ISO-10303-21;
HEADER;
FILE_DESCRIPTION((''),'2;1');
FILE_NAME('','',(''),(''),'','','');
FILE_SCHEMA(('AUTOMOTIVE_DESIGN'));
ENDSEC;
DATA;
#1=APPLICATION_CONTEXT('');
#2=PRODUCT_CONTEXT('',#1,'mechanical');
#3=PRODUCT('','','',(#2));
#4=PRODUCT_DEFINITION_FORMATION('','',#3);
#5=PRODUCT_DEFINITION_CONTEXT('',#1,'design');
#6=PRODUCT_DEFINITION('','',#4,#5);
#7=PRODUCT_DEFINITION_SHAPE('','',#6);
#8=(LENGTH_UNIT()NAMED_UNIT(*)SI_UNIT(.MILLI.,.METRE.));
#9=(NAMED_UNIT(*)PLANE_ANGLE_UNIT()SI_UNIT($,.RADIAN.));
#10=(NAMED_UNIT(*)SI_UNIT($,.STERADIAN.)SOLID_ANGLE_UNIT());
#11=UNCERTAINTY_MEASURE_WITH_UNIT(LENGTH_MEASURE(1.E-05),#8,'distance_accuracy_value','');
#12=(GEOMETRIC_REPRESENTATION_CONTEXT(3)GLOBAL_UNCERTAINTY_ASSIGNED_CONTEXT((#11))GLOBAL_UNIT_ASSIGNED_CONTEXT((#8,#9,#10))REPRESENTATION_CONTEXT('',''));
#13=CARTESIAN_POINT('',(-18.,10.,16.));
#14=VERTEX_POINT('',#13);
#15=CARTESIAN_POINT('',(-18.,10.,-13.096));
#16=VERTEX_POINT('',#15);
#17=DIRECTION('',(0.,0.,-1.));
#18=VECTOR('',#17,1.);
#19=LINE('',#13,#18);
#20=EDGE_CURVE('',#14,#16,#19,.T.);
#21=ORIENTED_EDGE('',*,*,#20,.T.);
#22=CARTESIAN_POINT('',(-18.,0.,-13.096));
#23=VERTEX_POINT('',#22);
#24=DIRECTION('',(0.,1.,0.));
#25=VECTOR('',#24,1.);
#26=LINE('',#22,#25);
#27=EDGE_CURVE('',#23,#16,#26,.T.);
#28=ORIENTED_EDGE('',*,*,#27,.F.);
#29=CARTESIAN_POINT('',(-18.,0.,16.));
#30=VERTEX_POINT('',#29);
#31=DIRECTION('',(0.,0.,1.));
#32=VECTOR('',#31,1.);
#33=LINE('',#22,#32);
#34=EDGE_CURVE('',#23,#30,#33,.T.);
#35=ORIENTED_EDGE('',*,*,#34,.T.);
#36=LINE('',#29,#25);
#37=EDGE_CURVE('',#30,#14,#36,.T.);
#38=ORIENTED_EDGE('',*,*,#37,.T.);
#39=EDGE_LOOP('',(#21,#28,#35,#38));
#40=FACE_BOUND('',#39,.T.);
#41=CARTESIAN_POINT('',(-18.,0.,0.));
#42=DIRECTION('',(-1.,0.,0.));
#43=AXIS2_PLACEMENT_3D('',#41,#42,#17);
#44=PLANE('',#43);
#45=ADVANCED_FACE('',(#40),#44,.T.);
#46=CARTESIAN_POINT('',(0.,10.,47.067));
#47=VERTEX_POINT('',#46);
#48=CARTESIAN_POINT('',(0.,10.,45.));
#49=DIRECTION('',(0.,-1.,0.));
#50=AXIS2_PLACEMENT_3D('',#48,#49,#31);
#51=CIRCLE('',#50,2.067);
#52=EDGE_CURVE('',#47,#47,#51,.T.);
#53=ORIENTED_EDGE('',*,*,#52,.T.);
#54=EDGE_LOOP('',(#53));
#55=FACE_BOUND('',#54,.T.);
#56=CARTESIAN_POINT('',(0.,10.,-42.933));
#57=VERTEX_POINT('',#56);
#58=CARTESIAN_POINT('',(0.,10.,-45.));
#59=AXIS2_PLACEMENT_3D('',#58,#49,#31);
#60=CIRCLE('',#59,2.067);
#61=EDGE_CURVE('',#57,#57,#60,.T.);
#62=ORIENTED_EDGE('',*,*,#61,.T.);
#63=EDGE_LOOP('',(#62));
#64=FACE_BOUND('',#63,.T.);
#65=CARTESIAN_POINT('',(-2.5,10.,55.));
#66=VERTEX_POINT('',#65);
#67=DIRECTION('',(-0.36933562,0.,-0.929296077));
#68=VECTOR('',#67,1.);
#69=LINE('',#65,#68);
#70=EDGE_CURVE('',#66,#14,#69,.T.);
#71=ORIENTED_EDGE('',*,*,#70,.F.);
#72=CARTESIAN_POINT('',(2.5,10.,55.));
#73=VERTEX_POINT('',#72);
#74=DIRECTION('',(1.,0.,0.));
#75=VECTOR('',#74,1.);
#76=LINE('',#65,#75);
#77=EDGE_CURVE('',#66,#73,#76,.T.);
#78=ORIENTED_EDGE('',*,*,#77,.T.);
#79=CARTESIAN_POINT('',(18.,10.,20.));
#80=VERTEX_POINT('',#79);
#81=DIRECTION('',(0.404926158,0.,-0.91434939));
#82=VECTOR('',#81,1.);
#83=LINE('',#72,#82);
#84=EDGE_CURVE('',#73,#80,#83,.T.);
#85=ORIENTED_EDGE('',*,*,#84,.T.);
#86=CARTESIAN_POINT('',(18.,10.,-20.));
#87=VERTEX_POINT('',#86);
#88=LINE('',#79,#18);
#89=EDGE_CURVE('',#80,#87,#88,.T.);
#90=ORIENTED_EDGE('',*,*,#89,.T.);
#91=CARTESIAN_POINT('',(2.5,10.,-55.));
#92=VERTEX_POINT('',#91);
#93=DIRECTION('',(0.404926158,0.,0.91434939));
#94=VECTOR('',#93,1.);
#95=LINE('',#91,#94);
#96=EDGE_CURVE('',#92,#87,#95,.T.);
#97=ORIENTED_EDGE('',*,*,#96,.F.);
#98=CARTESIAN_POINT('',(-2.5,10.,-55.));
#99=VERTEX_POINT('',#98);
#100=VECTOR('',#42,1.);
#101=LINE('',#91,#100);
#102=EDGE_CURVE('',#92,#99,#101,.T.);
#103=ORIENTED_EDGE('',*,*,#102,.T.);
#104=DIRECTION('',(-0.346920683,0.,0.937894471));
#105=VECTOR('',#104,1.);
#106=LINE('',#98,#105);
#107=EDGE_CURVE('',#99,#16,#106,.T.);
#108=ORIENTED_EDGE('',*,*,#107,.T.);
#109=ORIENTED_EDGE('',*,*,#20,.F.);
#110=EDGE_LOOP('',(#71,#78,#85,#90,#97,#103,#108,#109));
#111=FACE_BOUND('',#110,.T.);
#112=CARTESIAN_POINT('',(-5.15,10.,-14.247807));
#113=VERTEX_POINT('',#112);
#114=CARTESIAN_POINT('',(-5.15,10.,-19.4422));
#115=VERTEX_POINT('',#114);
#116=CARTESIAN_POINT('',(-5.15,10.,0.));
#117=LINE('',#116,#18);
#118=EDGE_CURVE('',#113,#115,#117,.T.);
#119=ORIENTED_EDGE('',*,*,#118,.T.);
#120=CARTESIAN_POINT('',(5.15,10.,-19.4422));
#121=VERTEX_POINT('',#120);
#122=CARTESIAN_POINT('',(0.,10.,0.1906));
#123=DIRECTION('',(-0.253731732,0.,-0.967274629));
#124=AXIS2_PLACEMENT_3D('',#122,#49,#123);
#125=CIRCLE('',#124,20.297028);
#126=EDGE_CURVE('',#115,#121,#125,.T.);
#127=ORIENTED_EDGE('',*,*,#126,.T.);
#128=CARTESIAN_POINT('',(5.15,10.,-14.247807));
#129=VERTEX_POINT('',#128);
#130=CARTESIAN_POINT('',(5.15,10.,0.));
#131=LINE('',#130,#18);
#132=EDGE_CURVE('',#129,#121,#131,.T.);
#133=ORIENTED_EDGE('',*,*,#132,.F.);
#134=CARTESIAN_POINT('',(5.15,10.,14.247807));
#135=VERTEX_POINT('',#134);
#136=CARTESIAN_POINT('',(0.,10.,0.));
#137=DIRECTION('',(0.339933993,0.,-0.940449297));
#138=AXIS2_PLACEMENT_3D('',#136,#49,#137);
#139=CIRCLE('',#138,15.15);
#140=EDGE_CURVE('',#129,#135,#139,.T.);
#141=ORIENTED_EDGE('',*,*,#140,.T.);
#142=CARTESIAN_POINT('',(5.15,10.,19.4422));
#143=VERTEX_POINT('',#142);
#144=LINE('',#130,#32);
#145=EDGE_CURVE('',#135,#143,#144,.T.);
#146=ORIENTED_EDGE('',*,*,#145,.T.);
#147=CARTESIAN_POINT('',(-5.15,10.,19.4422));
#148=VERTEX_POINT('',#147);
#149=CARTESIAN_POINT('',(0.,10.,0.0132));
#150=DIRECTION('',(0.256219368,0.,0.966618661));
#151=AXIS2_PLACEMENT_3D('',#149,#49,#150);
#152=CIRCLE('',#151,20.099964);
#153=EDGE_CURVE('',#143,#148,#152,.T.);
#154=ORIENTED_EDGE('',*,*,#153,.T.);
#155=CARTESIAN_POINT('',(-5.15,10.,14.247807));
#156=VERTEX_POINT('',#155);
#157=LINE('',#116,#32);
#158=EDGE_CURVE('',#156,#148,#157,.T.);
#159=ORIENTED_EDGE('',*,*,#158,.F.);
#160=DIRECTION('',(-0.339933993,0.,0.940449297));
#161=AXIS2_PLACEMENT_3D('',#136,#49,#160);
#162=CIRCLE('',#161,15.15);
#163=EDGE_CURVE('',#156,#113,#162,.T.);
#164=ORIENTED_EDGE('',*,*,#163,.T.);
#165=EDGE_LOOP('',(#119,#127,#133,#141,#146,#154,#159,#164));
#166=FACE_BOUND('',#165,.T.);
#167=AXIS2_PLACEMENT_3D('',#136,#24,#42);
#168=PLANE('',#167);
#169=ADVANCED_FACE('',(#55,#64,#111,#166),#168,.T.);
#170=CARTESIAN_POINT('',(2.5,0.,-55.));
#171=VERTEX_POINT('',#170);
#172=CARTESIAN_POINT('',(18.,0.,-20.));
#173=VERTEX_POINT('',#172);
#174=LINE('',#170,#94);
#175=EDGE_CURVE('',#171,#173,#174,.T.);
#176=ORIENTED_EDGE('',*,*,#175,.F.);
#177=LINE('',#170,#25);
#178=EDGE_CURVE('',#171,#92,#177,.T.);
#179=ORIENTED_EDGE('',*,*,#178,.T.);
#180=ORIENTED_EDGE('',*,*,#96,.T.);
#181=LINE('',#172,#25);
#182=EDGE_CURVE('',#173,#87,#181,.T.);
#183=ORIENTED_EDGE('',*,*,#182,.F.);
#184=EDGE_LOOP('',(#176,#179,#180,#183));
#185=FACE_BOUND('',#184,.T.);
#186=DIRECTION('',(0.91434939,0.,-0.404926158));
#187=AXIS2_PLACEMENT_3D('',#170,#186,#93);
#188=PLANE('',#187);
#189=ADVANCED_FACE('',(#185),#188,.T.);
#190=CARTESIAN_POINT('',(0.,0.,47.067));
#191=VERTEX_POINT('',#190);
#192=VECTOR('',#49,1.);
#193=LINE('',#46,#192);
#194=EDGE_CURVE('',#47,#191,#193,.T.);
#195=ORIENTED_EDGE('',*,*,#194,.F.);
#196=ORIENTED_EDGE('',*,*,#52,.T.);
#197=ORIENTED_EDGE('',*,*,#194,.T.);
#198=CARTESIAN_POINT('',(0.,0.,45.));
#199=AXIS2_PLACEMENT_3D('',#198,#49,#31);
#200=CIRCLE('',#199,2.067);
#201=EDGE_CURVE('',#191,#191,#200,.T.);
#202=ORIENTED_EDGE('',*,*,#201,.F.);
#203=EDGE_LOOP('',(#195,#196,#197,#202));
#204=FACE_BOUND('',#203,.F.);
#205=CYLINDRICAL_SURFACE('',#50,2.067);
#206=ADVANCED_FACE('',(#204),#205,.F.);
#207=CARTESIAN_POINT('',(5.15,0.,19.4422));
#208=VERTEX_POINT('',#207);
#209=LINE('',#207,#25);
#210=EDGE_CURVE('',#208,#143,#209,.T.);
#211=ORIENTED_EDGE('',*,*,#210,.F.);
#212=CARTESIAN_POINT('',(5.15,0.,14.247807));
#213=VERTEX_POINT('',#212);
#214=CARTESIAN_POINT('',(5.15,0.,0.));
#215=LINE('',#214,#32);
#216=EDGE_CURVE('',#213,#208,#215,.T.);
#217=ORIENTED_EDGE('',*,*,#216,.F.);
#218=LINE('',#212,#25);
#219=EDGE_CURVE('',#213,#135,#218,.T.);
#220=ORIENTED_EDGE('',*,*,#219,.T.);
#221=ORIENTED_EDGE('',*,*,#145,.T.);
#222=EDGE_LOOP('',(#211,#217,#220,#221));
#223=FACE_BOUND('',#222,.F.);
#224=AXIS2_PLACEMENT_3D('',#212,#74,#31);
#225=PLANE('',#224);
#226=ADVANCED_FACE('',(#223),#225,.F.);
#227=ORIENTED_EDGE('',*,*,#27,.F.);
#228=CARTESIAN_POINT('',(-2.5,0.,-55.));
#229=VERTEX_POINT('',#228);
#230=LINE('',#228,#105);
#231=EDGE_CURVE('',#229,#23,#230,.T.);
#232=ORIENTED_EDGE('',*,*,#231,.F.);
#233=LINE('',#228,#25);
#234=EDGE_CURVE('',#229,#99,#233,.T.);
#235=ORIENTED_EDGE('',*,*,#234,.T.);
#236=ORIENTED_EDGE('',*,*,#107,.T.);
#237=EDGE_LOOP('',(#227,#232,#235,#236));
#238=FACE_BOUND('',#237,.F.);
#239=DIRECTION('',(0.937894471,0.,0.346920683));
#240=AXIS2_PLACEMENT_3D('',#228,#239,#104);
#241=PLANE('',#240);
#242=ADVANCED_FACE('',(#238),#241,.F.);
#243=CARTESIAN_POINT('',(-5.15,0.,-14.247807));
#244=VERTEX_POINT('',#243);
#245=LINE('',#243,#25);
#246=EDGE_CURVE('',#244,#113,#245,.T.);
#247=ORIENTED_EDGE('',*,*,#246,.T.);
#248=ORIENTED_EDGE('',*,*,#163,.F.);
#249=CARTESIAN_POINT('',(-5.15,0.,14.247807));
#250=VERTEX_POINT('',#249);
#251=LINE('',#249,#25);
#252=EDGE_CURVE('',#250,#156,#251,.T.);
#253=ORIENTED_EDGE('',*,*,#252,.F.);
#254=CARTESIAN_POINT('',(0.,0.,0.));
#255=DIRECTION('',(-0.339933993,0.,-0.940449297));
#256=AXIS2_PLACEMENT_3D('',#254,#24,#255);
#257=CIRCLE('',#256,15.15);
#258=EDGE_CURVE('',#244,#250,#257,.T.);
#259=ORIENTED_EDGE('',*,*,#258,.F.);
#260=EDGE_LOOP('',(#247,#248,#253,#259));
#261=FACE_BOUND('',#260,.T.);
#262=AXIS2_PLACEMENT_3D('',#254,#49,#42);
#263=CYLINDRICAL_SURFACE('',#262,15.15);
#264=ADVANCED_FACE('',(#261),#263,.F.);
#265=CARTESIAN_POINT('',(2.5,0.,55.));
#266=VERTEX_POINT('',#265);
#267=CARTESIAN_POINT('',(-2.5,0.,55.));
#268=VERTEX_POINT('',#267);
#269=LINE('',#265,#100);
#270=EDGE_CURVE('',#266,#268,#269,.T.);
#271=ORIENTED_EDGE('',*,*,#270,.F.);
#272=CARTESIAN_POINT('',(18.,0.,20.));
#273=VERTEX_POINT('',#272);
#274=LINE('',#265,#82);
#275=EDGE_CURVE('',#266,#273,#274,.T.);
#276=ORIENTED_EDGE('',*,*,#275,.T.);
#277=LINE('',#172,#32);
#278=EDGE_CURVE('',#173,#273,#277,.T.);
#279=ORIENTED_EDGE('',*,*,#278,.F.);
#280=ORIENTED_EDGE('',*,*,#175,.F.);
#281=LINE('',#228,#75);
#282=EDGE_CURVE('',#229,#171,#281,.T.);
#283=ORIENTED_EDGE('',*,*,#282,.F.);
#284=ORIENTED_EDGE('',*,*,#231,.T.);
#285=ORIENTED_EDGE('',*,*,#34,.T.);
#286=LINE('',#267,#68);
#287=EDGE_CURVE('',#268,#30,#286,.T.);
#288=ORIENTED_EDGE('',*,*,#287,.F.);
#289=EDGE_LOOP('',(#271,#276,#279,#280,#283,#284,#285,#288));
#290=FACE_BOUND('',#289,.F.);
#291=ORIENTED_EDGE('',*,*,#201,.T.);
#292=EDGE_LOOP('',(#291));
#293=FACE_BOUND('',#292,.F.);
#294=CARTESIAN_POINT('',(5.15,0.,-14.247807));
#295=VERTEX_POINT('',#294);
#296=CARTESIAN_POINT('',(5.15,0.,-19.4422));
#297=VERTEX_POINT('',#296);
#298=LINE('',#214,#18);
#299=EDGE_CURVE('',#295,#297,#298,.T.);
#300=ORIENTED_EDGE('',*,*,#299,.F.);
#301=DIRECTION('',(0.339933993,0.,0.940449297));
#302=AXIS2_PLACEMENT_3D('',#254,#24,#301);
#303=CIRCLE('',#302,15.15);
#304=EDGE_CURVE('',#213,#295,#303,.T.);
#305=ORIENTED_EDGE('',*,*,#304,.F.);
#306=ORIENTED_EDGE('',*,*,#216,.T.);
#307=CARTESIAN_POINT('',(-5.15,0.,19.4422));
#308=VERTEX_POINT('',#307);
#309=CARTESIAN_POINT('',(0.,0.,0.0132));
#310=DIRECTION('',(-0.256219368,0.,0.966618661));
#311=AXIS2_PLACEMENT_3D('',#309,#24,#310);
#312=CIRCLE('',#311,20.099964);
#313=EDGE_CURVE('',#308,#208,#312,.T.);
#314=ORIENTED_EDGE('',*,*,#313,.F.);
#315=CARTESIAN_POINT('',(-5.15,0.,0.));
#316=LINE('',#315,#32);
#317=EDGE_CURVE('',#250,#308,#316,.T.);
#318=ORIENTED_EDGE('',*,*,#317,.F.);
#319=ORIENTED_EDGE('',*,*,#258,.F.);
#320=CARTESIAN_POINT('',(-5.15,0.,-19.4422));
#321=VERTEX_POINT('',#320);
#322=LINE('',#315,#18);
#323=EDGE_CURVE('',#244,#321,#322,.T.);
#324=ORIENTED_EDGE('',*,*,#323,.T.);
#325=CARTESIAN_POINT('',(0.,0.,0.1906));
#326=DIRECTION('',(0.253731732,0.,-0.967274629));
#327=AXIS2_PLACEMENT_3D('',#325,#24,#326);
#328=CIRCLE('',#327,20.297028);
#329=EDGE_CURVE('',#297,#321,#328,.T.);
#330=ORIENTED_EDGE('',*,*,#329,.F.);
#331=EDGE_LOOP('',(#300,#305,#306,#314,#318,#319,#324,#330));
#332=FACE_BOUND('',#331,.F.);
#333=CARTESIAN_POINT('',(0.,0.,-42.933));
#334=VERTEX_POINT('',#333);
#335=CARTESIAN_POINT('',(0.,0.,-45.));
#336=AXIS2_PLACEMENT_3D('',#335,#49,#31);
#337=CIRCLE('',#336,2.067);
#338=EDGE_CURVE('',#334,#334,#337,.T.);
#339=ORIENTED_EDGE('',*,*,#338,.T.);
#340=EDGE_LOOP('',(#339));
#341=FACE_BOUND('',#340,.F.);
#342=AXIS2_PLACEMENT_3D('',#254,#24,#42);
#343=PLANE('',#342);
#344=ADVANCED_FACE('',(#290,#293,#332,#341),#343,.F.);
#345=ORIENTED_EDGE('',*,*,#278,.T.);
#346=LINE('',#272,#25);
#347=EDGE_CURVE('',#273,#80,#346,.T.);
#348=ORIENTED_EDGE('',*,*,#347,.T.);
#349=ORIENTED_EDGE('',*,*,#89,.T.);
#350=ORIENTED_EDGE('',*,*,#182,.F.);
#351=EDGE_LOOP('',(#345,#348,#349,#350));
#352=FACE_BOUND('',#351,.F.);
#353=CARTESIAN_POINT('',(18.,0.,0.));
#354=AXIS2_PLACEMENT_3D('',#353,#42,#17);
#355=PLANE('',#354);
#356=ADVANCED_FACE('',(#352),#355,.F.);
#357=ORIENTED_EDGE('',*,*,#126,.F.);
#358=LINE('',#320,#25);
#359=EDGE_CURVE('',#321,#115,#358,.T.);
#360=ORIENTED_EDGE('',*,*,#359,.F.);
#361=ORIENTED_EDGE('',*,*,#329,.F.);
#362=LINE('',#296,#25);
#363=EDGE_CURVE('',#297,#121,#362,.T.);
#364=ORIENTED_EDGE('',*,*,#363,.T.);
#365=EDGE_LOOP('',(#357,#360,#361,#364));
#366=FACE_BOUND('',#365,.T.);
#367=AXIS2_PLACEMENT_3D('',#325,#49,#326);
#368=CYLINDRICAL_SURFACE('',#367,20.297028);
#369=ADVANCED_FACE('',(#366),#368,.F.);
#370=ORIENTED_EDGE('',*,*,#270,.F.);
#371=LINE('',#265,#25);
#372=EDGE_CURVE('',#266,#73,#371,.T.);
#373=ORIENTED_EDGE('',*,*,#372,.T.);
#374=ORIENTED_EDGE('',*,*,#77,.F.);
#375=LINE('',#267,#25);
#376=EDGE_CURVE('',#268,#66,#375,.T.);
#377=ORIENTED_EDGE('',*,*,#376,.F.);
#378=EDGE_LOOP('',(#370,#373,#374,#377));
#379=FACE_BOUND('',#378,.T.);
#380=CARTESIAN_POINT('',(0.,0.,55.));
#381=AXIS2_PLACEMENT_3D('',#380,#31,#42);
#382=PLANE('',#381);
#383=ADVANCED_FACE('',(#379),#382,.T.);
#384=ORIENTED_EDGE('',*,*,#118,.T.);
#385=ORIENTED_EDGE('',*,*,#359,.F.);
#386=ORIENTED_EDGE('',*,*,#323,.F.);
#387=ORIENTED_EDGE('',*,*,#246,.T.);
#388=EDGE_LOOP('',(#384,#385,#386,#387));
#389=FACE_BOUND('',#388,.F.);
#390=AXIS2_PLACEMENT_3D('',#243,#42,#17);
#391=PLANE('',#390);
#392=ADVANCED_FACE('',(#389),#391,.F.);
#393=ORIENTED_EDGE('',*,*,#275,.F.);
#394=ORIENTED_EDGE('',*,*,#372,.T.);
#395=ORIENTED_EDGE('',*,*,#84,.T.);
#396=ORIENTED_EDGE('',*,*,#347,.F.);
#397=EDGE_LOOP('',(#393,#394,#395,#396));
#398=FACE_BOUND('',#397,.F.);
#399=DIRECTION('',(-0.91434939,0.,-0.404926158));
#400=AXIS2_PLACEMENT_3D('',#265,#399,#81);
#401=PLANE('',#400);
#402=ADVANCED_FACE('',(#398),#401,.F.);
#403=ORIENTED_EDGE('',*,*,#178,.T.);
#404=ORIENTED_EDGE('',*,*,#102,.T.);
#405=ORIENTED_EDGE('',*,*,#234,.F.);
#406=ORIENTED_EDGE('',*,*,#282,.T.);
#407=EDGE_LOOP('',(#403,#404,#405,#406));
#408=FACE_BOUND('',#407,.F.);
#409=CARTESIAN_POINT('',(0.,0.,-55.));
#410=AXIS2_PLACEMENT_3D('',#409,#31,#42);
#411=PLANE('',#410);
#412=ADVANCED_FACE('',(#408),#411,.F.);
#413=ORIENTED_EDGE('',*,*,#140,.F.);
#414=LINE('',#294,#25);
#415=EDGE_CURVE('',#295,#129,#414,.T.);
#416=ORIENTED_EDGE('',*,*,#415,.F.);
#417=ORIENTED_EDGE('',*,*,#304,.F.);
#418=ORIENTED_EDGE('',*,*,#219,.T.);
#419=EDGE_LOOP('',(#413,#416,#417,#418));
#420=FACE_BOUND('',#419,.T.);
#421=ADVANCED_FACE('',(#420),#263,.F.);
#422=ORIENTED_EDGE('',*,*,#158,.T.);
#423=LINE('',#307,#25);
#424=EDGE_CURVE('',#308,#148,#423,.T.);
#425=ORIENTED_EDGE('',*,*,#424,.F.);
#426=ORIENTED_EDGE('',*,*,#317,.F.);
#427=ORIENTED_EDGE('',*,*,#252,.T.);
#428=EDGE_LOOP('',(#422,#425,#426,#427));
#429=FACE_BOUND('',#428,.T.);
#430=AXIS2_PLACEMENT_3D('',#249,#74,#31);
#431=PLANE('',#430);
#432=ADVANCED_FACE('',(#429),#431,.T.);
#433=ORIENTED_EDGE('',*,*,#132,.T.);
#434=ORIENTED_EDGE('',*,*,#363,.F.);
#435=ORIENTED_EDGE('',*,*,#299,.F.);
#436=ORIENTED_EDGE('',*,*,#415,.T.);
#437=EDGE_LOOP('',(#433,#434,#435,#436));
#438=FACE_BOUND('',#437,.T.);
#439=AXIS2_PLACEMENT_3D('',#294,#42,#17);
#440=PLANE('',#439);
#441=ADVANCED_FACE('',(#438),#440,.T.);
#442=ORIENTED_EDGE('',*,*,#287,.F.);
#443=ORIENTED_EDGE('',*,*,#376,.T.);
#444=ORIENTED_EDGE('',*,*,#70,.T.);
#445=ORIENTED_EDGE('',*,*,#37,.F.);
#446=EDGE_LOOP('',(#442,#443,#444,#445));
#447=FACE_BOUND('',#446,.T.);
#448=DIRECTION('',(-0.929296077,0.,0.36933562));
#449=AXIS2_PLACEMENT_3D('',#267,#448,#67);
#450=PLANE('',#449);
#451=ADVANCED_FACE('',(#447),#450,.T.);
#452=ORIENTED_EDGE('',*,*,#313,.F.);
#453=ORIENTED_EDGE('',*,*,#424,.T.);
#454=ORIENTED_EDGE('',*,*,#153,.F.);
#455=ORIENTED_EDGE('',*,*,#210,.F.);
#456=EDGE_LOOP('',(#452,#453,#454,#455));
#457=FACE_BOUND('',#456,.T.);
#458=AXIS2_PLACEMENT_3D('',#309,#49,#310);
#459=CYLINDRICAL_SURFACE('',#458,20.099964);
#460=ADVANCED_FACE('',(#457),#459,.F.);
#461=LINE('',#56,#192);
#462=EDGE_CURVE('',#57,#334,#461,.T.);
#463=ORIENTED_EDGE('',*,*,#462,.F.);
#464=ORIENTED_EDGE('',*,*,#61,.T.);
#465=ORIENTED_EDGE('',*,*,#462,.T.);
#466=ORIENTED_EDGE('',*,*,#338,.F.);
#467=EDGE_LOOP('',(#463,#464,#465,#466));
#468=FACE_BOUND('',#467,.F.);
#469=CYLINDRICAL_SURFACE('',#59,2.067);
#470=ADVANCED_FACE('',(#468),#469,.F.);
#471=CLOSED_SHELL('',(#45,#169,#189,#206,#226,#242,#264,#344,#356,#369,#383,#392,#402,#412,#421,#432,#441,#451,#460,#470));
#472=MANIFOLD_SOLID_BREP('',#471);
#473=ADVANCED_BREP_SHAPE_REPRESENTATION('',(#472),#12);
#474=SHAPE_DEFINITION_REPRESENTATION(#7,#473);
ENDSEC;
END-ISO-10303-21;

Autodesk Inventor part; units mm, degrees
ref_plane "YZ Plane" through (0, 0, 0) normal (1, 0, 0) x (0, 1, 0)
ref_plane "XZ Plane" through (0, 0, 0) normal (0, 1, 0) x (-1, 0, 0)
ref_plane "XY Plane" through (0, 0, 0) normal (0, 0, 1) x (1, 0, 0)
sketch "Esquisse1" plane through (0, 0, 0) normal (0, 1, 0) x (-1, 0, 0)
  circle A0 centre (0, 0) radius 15.15
  line L0 (0, 0) -> (18, 0)
  line L1 (18, 0) -> (18, -13.096)
  line L2 (18, 0) -> (18, 16)
  line L3 (0, 0) -> (-18, 0)
  line L4 (-18, 0) -> (-18, -20)
  line L5 (-18, 0) -> (-18, 20)
  line L6 (0, 0) -> (0, 55)
  line L7 (0, 0) -> (55, 0) construction
  line L8 (0, 55) -> (-2.5, 55)
  line L9 (-2.5, 55) -> (-18, 20)
  line L10 (0, 55) -> (2.5, 55)
  line L11 (2.5, 55) -> (18, 16)
  line L12 (0, 0) -> (0, -55)
  line L13 (0, 0) -> (55, 0) construction
  line L14 (0, -55) -> (2.5, -55)
  line L15 (2.5, -55) -> (18, -13.096)
  line L16 (0, -55) -> (-2.5, -55)
  line L17 (-2.5, -55) -> (-18, -20)
  line L18 (0, 0) -> (5.15, 0)
  line L19 (5.15, 0) -> (5.15, -19.4422)
  line L20 (0, 0) -> (-5.15, 0)
  line L21 (-5.15, 0) -> (-5.15, -19.4422)
  line L22 (-5.15, 0) -> (-5.15, 19.4422)
  line L23 (5.15, 0) -> (5.15, 19.4422)
  arc A1 (-5.15, -19.4422) -> (5.15, -19.4422) centre (0, 0.1906) ccw
  arc A2 (5.15, 19.4422) -> (-5.15, 19.4422) centre (0, 0.0132) ccw
  point P0 (5.15, -14.2478)
  point P1 (-5.1, -19.4422)
  point P2 (-5.15, -14.2478)
  point P3 (-5.15, 14.2478)
  point P4 (5.15, 14.2478)
  dimension "d0" = 30.3
  dimension "d1" = 18
  dimension "d3" = 90
  dimension "d4" = 16
  dimension "d6" = 18
  dimension "d7" = 20
  dimension "d8" = 20
  dimension "d9" = 55
  dimension "d10" = 90
  dimension "d11" = 2.5
  dimension "d12" = 2.5
  dimension "d13" = 55
  dimension "d14" = 90
  dimension "d15" = 2.5
  dimension "d16" = 90
  dimension "d17" = 2.5
  dimension "d19" = 5.15
  dimension "d20" = 5.15
  dimension "d34" = 10.3
  dimension "d35" = 29.397
extrude "Extrusion1" add sketch "Esquisse1" along normal blind 10 contours L0 L1 L15 L14 L12 A1 L19 A0 | A0 L23 A2 L6 L10 L11 L2 L0 | A0 L3 L5 L9 L8 L6 A2 L22 | L21 A1 L12 L16 L17 L4 L3 A0
sketch "Esquisse2" plane through (0, 10, 0) normal (0, 1, 0) x (1, 0, 0)
  line L0 (-2.5, -55) -> (2.5, -55) projected
  line L1 (0, -55) -> (0, -25)
  line L2 (0, -25) -> (-14.4231, -25)
  line L3 (-18, -16) -> (-2.5, -55) projected
  line L4 (0, -25) -> (15.7857, -25)
  line L5 (2.5, -55) -> (18, -20) projected
  line L6 (0, -55) -> (0, -45)
  line L7 (0, -45) -> (0, -35)
  line L8 (0, 0) -> (-7.091, 0)
  point P0 (0, 45)
  dimension "d23" = 30
  dimension "d24" = 10
  dimension "d25" = 10
hole "Perçage1" at (0, 10, 45) at (0, 10, -45) direction (0, -1, 0) diameter 4.134 end through all thread size "M5x0.8" class "6H" standard "ISO Metric profile"
properties part number "Axe centrale"
